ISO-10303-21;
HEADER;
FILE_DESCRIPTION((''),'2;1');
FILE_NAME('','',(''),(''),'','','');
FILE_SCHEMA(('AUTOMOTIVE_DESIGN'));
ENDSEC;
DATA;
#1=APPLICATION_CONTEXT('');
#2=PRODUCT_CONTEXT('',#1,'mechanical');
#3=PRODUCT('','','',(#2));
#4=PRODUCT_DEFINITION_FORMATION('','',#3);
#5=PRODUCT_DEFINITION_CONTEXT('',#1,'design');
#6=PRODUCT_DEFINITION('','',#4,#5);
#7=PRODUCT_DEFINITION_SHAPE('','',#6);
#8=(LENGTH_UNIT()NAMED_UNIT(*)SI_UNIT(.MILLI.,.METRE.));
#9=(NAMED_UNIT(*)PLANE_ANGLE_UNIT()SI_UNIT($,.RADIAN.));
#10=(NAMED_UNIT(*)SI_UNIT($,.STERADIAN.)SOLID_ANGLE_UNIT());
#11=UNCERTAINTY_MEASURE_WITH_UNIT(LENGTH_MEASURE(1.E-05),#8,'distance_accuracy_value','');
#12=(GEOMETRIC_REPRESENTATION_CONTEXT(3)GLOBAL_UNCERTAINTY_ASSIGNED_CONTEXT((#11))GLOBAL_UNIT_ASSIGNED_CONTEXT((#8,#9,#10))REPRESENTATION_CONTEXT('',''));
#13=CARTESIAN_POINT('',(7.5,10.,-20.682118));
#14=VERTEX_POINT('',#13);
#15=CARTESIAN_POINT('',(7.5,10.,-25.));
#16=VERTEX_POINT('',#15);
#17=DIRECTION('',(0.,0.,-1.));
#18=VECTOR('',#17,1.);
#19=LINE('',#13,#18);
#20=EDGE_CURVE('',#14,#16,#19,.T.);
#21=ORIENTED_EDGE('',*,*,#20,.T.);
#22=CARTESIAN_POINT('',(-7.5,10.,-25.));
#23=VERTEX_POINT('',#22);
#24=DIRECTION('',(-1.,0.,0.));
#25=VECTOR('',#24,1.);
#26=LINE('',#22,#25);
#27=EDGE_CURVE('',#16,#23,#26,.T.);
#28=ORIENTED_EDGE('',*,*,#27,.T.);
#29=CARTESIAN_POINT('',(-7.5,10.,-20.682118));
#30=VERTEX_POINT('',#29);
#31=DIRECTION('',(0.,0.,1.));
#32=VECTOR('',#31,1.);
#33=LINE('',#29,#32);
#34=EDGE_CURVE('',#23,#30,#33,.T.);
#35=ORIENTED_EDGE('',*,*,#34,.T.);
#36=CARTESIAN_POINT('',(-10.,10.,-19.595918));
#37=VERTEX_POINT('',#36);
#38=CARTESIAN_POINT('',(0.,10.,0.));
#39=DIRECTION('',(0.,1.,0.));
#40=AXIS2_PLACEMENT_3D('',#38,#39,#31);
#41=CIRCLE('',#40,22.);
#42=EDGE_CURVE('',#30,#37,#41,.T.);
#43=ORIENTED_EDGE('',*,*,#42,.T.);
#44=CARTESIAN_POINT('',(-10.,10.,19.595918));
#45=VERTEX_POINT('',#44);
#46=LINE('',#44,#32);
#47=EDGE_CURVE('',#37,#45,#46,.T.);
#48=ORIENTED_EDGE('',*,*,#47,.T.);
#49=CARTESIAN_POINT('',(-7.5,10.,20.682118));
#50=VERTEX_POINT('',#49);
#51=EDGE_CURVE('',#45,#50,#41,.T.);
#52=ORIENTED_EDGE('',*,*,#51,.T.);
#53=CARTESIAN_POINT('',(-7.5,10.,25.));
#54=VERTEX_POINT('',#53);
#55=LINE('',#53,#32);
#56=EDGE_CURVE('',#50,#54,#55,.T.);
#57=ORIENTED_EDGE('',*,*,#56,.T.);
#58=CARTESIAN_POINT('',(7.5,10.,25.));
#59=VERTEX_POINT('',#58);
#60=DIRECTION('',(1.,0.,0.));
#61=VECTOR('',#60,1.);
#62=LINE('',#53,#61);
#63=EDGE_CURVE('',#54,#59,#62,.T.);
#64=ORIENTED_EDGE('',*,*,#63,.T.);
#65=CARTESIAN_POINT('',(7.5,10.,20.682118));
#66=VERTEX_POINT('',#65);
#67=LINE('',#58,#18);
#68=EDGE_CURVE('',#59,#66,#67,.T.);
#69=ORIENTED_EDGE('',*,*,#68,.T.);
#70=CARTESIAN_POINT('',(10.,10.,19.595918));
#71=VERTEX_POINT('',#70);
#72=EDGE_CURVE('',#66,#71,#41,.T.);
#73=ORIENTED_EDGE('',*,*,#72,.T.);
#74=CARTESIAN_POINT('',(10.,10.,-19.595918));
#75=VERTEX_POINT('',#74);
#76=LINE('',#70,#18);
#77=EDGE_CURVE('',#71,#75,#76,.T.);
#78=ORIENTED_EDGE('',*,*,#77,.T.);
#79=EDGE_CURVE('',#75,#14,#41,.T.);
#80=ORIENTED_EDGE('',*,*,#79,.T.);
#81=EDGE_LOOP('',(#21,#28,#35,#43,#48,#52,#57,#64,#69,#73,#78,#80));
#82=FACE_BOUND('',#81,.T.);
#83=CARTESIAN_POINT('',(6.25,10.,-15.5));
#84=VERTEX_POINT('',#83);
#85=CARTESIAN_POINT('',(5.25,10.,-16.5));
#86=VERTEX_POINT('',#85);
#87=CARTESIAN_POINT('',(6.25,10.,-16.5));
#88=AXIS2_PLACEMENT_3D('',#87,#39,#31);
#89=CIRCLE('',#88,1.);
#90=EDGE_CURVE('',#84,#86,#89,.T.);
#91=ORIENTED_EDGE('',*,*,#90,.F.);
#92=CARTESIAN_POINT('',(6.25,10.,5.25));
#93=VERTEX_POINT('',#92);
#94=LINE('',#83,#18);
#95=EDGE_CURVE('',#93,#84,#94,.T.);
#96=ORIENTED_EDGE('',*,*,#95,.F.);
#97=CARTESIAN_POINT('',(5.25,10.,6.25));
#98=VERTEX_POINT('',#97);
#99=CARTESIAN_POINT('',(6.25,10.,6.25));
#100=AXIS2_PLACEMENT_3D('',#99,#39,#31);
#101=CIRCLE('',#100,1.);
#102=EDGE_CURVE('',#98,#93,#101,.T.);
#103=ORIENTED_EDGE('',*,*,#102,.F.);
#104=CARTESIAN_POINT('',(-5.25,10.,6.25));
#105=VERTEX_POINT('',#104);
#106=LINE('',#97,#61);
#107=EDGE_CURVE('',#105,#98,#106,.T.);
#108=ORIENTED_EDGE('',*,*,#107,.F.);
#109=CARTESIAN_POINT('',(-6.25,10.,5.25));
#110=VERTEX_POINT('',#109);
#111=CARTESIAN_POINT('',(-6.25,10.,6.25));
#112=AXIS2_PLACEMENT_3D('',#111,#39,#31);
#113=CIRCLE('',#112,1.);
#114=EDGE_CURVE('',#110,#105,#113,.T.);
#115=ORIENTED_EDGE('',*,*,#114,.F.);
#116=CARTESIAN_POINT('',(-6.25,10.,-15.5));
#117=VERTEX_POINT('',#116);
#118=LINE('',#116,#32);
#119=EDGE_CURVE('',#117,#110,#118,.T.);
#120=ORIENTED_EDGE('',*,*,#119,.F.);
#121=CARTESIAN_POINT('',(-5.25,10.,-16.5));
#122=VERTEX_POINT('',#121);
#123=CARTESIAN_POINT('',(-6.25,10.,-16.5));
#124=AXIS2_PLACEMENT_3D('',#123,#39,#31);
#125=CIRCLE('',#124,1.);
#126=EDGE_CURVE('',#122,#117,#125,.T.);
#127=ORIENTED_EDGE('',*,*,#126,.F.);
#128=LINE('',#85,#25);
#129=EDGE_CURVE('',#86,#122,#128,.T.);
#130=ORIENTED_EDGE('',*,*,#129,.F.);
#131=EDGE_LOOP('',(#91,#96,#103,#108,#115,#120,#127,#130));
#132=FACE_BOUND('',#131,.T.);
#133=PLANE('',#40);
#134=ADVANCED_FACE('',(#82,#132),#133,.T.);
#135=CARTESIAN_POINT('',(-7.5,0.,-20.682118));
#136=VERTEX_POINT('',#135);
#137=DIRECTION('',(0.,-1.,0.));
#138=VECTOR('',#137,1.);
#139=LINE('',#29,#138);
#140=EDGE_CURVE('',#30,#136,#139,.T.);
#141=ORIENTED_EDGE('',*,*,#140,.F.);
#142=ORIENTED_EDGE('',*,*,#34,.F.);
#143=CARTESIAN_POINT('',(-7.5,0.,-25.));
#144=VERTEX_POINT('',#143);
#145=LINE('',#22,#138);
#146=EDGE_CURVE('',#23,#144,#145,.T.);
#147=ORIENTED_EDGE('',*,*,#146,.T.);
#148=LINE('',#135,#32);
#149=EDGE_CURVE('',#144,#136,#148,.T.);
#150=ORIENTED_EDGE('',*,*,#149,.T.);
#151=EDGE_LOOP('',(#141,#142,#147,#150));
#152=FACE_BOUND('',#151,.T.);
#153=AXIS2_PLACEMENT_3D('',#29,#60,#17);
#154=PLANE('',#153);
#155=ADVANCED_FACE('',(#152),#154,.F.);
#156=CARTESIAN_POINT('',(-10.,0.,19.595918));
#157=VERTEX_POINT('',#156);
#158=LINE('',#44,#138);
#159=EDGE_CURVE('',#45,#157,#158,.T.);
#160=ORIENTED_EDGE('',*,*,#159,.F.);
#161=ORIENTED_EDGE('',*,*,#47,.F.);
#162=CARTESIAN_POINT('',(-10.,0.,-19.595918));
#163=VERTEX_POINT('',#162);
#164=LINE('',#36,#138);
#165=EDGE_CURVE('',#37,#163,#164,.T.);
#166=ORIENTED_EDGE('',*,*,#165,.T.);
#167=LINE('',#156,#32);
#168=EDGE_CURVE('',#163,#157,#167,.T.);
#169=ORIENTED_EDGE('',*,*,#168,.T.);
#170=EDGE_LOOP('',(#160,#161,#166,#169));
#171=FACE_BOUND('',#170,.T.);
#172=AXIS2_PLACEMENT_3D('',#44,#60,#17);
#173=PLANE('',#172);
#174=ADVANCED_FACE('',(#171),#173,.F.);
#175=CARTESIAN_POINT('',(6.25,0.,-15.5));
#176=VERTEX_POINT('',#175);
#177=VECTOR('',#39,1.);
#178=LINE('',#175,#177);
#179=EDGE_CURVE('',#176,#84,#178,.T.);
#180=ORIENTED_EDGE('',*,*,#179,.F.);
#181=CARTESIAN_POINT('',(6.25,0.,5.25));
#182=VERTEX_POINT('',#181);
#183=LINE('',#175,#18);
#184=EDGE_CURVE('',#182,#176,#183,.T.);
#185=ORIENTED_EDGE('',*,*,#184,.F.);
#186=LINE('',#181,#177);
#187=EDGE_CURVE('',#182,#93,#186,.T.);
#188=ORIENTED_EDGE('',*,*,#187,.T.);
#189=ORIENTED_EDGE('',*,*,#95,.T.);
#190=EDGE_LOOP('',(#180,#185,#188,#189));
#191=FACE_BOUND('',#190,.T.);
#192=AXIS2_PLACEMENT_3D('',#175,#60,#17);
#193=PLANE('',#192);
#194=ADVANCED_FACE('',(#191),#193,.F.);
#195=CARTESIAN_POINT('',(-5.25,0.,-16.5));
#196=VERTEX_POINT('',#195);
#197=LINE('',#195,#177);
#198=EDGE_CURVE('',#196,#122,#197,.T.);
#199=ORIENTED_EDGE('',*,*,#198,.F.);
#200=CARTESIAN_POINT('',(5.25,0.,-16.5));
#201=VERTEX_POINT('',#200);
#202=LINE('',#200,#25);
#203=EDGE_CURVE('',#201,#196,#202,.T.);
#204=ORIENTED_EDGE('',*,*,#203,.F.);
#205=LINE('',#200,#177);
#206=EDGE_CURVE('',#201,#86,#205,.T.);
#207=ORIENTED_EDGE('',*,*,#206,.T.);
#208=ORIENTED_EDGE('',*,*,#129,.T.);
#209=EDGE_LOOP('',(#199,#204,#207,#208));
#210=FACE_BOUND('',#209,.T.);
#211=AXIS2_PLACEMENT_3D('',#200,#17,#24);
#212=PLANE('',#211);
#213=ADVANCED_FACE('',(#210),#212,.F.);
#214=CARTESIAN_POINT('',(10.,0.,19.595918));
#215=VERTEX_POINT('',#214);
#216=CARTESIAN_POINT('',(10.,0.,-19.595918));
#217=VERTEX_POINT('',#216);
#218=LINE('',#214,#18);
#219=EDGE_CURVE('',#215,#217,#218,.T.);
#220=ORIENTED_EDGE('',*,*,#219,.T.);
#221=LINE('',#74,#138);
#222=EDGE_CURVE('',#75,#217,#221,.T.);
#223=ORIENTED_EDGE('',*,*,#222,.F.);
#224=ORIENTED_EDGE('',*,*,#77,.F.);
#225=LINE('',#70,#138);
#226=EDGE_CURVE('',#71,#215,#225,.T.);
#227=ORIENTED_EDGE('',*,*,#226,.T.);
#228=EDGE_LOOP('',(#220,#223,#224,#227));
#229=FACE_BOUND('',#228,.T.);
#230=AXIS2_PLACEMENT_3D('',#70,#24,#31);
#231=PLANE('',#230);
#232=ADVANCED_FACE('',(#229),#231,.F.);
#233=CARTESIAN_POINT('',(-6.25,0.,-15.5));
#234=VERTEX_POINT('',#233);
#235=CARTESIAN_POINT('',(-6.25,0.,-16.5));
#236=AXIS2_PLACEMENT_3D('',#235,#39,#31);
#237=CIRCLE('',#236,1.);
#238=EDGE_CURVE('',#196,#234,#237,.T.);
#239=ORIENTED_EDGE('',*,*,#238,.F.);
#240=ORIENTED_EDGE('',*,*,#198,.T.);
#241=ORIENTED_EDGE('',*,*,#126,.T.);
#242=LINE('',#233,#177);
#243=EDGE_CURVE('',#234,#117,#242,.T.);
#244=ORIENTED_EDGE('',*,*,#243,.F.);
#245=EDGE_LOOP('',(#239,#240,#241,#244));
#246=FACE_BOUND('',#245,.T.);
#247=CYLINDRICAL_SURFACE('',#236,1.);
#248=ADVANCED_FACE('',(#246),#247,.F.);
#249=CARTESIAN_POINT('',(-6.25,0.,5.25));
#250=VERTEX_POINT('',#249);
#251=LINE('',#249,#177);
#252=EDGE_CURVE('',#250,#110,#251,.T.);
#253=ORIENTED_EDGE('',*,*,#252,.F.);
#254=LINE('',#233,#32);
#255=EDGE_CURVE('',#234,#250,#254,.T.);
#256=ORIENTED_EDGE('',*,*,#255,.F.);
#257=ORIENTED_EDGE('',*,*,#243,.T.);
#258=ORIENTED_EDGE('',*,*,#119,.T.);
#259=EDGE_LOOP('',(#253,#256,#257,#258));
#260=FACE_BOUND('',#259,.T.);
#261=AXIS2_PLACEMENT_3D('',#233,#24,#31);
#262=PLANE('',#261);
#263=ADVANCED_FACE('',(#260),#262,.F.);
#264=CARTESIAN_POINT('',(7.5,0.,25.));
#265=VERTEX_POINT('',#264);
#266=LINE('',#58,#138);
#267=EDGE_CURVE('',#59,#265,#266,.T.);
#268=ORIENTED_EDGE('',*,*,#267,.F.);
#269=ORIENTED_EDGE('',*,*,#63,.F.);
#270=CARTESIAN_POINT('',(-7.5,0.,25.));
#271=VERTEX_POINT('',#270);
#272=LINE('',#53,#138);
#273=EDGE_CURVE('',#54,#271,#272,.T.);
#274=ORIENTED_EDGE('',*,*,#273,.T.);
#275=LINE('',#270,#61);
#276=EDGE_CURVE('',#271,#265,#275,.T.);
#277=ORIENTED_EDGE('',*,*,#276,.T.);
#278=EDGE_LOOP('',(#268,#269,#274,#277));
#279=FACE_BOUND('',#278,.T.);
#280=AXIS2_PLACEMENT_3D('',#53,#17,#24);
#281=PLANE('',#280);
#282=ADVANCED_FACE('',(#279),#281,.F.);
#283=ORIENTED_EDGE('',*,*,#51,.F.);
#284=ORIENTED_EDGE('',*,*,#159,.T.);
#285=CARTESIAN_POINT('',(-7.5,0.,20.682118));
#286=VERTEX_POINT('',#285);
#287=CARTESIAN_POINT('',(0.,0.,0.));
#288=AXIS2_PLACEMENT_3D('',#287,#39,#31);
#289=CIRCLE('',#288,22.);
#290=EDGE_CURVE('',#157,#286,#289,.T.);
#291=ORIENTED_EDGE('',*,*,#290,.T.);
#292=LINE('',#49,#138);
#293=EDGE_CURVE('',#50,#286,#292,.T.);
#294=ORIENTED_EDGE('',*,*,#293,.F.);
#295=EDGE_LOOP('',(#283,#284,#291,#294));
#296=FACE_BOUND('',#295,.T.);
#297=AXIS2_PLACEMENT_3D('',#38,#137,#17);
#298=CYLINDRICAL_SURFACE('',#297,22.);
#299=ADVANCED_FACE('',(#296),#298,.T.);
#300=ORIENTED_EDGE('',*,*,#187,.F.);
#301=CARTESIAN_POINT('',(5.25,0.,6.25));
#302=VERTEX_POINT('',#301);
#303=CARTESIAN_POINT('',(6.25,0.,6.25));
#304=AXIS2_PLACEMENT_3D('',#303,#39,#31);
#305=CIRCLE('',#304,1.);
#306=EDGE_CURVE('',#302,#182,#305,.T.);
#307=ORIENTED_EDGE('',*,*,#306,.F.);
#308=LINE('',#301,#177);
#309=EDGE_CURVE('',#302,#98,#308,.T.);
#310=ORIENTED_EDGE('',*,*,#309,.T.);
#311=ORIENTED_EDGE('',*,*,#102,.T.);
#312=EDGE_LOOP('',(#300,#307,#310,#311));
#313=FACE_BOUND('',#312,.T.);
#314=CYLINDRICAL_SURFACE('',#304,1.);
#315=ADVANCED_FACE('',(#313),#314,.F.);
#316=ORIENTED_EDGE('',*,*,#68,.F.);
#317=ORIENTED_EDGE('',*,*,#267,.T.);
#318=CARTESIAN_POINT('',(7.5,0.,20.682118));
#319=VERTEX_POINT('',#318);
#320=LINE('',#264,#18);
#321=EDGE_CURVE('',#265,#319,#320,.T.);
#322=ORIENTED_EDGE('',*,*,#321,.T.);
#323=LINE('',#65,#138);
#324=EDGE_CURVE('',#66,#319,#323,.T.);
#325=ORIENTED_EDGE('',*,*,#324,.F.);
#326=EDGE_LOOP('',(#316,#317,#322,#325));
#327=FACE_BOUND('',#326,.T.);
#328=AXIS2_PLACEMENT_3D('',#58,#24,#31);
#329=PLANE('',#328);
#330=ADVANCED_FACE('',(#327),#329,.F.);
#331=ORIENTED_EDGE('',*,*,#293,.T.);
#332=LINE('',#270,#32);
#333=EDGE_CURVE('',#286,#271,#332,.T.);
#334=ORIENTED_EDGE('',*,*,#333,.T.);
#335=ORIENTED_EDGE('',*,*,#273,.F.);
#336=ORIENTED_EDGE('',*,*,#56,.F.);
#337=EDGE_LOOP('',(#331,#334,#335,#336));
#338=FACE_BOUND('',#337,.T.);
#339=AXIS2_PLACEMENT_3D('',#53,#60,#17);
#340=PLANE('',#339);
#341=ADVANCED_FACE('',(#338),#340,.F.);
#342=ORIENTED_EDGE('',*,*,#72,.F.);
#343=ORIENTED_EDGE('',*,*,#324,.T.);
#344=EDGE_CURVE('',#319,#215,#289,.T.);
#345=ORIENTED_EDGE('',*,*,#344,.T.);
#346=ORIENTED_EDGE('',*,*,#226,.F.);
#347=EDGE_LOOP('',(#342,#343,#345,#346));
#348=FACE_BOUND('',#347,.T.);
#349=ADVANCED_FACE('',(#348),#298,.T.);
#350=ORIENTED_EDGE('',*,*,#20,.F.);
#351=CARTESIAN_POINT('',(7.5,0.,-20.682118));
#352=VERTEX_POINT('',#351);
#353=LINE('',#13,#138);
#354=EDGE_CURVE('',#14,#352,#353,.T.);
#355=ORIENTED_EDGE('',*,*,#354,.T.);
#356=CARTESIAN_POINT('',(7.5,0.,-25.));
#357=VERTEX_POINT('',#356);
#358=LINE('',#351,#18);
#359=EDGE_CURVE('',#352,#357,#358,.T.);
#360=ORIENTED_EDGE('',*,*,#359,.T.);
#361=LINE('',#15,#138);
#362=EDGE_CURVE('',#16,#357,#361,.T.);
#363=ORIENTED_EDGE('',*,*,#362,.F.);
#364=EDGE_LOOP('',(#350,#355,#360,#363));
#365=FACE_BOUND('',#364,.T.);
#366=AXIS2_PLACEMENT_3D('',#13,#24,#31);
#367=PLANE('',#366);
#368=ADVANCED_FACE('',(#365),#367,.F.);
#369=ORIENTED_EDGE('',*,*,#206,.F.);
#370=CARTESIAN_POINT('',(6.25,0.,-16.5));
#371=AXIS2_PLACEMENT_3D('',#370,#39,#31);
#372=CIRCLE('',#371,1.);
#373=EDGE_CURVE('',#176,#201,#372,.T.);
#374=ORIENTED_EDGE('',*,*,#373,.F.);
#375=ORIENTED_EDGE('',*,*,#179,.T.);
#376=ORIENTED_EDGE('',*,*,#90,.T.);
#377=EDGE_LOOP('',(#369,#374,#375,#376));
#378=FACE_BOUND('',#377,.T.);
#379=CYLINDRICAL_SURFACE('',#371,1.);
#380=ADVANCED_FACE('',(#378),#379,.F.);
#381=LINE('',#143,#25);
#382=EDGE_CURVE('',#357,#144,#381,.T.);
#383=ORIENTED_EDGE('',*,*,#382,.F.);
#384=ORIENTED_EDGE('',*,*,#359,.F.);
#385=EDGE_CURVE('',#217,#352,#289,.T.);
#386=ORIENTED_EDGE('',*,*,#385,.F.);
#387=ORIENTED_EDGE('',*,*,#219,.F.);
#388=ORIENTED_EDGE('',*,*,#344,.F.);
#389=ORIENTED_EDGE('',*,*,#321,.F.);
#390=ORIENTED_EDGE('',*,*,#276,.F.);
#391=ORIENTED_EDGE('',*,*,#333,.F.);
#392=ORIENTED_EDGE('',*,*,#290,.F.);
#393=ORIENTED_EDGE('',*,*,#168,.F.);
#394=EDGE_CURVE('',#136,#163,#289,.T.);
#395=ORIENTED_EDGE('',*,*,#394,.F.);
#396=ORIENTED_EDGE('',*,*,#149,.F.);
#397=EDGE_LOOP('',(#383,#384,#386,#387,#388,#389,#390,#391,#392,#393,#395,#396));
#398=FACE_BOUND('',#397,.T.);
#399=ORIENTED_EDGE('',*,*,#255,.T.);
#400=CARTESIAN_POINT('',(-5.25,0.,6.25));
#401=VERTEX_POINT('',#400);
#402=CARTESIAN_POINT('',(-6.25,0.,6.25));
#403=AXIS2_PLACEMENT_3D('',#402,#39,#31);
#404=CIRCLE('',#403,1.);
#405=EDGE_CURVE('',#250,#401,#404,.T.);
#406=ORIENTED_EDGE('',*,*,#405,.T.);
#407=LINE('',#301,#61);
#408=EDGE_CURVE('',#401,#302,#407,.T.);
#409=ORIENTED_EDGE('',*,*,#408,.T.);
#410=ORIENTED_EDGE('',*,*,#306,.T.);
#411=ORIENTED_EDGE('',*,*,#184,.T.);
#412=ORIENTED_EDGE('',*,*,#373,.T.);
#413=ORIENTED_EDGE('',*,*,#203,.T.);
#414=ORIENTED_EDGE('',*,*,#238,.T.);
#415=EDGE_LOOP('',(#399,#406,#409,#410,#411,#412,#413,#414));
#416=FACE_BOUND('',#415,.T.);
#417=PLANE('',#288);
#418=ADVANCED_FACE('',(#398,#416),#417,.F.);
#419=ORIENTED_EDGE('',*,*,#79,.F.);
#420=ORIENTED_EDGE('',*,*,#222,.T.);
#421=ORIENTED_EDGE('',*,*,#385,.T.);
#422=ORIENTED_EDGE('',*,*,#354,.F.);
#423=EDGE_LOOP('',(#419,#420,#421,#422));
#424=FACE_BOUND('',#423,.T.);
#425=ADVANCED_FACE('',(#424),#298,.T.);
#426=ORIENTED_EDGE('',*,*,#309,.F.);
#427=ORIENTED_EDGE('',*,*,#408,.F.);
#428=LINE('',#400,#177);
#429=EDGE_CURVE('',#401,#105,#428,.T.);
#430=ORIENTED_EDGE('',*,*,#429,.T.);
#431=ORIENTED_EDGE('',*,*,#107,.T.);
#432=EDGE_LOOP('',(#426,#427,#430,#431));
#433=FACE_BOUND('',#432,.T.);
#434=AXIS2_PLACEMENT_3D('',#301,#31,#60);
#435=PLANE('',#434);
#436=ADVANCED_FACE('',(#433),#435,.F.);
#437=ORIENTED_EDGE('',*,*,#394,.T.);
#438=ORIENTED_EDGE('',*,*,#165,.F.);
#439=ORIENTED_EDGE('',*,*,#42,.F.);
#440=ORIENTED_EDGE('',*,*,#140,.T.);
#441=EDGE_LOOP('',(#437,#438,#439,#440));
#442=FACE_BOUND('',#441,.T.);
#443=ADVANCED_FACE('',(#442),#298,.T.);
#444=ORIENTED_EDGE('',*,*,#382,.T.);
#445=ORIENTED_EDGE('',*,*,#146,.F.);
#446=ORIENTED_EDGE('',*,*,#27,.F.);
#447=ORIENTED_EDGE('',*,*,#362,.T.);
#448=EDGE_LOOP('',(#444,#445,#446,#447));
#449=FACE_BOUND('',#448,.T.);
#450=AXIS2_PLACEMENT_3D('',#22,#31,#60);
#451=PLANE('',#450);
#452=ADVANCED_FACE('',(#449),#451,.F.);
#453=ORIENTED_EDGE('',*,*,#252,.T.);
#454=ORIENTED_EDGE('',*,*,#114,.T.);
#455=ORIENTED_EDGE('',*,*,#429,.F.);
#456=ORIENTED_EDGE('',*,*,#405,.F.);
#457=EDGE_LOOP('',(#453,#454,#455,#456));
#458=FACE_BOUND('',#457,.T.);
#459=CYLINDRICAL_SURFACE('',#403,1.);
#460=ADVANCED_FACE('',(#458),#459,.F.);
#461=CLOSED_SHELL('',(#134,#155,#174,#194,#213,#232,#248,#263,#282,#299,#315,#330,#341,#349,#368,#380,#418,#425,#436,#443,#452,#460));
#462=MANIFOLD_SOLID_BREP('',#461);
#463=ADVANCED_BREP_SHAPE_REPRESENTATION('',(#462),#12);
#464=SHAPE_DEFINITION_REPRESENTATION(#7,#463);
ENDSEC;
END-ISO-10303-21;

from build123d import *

# Parameters (mm, degrees)
RESSALTO_EXTRUS_O1_DEPTH = 10
CORTE_EXTRUS_O1_DEPTH    = 29.722813233


with BuildPart() as part:
    # Esboço1 → Ressalto-extrusão1 (new body)
    with BuildSketch(Plane(origin=(0, 0, 0), x_dir=(1, 0, 0), z_dir=(0, 1, 0))):
        with BuildLine():
            Line((-7.5, 20.68211788), (-7.5, 25))
            Line((-7.5, 25), (7.5, 25))
            Line((7.5, 25), (7.5, 20.68211788))
            ThreePointArc((7.5, 20.68211788), (8.766838517, 20.177773475), (10, 19.595917942))
            Line((10, 19.595917942), (10, -19.595917942))
            ThreePointArc((10, -19.595917942), (8.766838517, -20.177773475), (7.5, -20.68211788))
            Line((7.5, -20.68211788), (7.5, -25))
            Line((7.5, -25), (-7.5, -25))
            Line((-7.5, -25), (-7.5, -20.68211788))
            ThreePointArc((-7.5, -20.68211788), (-8.766838517, -20.177773475), (-10, -19.595917942))
            Line((-10, -19.595917942), (-10, 19.595917942))
            ThreePointArc((-10, 19.595917942), (-8.766838517, 20.177773475), (-7.5, 20.68211788))
        make_face()
    extrude(amount=RESSALTO_EXTRUS_O1_DEPTH)

    # Esboço2 → Corte-extrusão1 (cut, through all)
    with BuildSketch(Plane(origin=(0, 10, 0), x_dir=(1, 0, 0), z_dir=(0, 1, 0))):
        with BuildLine():
            Line((5.25, 16.5), (-5.25, 16.5))
            ThreePointArc((-5.25, 16.5), (-6.957106781, 17.207106781), (-6.25, 15.5))
            Line((-6.25, 15.5), (-6.25, -5.25))
            ThreePointArc((-6.25, -5.25), (-6.957106781, -6.957106781), (-5.25, -6.25))
            Line((-5.25, -6.25), (5.25, -6.25))
            ThreePointArc((5.25, -6.25), (6.957106781, -6.957106781), (6.25, -5.25))
            Line((6.25, -5.25), (6.25, 15.5))
            ThreePointArc((6.25, 15.5), (6.957106781, 17.207106781), (5.25, 16.5))
        make_face()
    extrude(amount=-CORTE_EXTRUS_O1_DEPTH, mode=Mode.SUBTRACT)


solid = part.part
